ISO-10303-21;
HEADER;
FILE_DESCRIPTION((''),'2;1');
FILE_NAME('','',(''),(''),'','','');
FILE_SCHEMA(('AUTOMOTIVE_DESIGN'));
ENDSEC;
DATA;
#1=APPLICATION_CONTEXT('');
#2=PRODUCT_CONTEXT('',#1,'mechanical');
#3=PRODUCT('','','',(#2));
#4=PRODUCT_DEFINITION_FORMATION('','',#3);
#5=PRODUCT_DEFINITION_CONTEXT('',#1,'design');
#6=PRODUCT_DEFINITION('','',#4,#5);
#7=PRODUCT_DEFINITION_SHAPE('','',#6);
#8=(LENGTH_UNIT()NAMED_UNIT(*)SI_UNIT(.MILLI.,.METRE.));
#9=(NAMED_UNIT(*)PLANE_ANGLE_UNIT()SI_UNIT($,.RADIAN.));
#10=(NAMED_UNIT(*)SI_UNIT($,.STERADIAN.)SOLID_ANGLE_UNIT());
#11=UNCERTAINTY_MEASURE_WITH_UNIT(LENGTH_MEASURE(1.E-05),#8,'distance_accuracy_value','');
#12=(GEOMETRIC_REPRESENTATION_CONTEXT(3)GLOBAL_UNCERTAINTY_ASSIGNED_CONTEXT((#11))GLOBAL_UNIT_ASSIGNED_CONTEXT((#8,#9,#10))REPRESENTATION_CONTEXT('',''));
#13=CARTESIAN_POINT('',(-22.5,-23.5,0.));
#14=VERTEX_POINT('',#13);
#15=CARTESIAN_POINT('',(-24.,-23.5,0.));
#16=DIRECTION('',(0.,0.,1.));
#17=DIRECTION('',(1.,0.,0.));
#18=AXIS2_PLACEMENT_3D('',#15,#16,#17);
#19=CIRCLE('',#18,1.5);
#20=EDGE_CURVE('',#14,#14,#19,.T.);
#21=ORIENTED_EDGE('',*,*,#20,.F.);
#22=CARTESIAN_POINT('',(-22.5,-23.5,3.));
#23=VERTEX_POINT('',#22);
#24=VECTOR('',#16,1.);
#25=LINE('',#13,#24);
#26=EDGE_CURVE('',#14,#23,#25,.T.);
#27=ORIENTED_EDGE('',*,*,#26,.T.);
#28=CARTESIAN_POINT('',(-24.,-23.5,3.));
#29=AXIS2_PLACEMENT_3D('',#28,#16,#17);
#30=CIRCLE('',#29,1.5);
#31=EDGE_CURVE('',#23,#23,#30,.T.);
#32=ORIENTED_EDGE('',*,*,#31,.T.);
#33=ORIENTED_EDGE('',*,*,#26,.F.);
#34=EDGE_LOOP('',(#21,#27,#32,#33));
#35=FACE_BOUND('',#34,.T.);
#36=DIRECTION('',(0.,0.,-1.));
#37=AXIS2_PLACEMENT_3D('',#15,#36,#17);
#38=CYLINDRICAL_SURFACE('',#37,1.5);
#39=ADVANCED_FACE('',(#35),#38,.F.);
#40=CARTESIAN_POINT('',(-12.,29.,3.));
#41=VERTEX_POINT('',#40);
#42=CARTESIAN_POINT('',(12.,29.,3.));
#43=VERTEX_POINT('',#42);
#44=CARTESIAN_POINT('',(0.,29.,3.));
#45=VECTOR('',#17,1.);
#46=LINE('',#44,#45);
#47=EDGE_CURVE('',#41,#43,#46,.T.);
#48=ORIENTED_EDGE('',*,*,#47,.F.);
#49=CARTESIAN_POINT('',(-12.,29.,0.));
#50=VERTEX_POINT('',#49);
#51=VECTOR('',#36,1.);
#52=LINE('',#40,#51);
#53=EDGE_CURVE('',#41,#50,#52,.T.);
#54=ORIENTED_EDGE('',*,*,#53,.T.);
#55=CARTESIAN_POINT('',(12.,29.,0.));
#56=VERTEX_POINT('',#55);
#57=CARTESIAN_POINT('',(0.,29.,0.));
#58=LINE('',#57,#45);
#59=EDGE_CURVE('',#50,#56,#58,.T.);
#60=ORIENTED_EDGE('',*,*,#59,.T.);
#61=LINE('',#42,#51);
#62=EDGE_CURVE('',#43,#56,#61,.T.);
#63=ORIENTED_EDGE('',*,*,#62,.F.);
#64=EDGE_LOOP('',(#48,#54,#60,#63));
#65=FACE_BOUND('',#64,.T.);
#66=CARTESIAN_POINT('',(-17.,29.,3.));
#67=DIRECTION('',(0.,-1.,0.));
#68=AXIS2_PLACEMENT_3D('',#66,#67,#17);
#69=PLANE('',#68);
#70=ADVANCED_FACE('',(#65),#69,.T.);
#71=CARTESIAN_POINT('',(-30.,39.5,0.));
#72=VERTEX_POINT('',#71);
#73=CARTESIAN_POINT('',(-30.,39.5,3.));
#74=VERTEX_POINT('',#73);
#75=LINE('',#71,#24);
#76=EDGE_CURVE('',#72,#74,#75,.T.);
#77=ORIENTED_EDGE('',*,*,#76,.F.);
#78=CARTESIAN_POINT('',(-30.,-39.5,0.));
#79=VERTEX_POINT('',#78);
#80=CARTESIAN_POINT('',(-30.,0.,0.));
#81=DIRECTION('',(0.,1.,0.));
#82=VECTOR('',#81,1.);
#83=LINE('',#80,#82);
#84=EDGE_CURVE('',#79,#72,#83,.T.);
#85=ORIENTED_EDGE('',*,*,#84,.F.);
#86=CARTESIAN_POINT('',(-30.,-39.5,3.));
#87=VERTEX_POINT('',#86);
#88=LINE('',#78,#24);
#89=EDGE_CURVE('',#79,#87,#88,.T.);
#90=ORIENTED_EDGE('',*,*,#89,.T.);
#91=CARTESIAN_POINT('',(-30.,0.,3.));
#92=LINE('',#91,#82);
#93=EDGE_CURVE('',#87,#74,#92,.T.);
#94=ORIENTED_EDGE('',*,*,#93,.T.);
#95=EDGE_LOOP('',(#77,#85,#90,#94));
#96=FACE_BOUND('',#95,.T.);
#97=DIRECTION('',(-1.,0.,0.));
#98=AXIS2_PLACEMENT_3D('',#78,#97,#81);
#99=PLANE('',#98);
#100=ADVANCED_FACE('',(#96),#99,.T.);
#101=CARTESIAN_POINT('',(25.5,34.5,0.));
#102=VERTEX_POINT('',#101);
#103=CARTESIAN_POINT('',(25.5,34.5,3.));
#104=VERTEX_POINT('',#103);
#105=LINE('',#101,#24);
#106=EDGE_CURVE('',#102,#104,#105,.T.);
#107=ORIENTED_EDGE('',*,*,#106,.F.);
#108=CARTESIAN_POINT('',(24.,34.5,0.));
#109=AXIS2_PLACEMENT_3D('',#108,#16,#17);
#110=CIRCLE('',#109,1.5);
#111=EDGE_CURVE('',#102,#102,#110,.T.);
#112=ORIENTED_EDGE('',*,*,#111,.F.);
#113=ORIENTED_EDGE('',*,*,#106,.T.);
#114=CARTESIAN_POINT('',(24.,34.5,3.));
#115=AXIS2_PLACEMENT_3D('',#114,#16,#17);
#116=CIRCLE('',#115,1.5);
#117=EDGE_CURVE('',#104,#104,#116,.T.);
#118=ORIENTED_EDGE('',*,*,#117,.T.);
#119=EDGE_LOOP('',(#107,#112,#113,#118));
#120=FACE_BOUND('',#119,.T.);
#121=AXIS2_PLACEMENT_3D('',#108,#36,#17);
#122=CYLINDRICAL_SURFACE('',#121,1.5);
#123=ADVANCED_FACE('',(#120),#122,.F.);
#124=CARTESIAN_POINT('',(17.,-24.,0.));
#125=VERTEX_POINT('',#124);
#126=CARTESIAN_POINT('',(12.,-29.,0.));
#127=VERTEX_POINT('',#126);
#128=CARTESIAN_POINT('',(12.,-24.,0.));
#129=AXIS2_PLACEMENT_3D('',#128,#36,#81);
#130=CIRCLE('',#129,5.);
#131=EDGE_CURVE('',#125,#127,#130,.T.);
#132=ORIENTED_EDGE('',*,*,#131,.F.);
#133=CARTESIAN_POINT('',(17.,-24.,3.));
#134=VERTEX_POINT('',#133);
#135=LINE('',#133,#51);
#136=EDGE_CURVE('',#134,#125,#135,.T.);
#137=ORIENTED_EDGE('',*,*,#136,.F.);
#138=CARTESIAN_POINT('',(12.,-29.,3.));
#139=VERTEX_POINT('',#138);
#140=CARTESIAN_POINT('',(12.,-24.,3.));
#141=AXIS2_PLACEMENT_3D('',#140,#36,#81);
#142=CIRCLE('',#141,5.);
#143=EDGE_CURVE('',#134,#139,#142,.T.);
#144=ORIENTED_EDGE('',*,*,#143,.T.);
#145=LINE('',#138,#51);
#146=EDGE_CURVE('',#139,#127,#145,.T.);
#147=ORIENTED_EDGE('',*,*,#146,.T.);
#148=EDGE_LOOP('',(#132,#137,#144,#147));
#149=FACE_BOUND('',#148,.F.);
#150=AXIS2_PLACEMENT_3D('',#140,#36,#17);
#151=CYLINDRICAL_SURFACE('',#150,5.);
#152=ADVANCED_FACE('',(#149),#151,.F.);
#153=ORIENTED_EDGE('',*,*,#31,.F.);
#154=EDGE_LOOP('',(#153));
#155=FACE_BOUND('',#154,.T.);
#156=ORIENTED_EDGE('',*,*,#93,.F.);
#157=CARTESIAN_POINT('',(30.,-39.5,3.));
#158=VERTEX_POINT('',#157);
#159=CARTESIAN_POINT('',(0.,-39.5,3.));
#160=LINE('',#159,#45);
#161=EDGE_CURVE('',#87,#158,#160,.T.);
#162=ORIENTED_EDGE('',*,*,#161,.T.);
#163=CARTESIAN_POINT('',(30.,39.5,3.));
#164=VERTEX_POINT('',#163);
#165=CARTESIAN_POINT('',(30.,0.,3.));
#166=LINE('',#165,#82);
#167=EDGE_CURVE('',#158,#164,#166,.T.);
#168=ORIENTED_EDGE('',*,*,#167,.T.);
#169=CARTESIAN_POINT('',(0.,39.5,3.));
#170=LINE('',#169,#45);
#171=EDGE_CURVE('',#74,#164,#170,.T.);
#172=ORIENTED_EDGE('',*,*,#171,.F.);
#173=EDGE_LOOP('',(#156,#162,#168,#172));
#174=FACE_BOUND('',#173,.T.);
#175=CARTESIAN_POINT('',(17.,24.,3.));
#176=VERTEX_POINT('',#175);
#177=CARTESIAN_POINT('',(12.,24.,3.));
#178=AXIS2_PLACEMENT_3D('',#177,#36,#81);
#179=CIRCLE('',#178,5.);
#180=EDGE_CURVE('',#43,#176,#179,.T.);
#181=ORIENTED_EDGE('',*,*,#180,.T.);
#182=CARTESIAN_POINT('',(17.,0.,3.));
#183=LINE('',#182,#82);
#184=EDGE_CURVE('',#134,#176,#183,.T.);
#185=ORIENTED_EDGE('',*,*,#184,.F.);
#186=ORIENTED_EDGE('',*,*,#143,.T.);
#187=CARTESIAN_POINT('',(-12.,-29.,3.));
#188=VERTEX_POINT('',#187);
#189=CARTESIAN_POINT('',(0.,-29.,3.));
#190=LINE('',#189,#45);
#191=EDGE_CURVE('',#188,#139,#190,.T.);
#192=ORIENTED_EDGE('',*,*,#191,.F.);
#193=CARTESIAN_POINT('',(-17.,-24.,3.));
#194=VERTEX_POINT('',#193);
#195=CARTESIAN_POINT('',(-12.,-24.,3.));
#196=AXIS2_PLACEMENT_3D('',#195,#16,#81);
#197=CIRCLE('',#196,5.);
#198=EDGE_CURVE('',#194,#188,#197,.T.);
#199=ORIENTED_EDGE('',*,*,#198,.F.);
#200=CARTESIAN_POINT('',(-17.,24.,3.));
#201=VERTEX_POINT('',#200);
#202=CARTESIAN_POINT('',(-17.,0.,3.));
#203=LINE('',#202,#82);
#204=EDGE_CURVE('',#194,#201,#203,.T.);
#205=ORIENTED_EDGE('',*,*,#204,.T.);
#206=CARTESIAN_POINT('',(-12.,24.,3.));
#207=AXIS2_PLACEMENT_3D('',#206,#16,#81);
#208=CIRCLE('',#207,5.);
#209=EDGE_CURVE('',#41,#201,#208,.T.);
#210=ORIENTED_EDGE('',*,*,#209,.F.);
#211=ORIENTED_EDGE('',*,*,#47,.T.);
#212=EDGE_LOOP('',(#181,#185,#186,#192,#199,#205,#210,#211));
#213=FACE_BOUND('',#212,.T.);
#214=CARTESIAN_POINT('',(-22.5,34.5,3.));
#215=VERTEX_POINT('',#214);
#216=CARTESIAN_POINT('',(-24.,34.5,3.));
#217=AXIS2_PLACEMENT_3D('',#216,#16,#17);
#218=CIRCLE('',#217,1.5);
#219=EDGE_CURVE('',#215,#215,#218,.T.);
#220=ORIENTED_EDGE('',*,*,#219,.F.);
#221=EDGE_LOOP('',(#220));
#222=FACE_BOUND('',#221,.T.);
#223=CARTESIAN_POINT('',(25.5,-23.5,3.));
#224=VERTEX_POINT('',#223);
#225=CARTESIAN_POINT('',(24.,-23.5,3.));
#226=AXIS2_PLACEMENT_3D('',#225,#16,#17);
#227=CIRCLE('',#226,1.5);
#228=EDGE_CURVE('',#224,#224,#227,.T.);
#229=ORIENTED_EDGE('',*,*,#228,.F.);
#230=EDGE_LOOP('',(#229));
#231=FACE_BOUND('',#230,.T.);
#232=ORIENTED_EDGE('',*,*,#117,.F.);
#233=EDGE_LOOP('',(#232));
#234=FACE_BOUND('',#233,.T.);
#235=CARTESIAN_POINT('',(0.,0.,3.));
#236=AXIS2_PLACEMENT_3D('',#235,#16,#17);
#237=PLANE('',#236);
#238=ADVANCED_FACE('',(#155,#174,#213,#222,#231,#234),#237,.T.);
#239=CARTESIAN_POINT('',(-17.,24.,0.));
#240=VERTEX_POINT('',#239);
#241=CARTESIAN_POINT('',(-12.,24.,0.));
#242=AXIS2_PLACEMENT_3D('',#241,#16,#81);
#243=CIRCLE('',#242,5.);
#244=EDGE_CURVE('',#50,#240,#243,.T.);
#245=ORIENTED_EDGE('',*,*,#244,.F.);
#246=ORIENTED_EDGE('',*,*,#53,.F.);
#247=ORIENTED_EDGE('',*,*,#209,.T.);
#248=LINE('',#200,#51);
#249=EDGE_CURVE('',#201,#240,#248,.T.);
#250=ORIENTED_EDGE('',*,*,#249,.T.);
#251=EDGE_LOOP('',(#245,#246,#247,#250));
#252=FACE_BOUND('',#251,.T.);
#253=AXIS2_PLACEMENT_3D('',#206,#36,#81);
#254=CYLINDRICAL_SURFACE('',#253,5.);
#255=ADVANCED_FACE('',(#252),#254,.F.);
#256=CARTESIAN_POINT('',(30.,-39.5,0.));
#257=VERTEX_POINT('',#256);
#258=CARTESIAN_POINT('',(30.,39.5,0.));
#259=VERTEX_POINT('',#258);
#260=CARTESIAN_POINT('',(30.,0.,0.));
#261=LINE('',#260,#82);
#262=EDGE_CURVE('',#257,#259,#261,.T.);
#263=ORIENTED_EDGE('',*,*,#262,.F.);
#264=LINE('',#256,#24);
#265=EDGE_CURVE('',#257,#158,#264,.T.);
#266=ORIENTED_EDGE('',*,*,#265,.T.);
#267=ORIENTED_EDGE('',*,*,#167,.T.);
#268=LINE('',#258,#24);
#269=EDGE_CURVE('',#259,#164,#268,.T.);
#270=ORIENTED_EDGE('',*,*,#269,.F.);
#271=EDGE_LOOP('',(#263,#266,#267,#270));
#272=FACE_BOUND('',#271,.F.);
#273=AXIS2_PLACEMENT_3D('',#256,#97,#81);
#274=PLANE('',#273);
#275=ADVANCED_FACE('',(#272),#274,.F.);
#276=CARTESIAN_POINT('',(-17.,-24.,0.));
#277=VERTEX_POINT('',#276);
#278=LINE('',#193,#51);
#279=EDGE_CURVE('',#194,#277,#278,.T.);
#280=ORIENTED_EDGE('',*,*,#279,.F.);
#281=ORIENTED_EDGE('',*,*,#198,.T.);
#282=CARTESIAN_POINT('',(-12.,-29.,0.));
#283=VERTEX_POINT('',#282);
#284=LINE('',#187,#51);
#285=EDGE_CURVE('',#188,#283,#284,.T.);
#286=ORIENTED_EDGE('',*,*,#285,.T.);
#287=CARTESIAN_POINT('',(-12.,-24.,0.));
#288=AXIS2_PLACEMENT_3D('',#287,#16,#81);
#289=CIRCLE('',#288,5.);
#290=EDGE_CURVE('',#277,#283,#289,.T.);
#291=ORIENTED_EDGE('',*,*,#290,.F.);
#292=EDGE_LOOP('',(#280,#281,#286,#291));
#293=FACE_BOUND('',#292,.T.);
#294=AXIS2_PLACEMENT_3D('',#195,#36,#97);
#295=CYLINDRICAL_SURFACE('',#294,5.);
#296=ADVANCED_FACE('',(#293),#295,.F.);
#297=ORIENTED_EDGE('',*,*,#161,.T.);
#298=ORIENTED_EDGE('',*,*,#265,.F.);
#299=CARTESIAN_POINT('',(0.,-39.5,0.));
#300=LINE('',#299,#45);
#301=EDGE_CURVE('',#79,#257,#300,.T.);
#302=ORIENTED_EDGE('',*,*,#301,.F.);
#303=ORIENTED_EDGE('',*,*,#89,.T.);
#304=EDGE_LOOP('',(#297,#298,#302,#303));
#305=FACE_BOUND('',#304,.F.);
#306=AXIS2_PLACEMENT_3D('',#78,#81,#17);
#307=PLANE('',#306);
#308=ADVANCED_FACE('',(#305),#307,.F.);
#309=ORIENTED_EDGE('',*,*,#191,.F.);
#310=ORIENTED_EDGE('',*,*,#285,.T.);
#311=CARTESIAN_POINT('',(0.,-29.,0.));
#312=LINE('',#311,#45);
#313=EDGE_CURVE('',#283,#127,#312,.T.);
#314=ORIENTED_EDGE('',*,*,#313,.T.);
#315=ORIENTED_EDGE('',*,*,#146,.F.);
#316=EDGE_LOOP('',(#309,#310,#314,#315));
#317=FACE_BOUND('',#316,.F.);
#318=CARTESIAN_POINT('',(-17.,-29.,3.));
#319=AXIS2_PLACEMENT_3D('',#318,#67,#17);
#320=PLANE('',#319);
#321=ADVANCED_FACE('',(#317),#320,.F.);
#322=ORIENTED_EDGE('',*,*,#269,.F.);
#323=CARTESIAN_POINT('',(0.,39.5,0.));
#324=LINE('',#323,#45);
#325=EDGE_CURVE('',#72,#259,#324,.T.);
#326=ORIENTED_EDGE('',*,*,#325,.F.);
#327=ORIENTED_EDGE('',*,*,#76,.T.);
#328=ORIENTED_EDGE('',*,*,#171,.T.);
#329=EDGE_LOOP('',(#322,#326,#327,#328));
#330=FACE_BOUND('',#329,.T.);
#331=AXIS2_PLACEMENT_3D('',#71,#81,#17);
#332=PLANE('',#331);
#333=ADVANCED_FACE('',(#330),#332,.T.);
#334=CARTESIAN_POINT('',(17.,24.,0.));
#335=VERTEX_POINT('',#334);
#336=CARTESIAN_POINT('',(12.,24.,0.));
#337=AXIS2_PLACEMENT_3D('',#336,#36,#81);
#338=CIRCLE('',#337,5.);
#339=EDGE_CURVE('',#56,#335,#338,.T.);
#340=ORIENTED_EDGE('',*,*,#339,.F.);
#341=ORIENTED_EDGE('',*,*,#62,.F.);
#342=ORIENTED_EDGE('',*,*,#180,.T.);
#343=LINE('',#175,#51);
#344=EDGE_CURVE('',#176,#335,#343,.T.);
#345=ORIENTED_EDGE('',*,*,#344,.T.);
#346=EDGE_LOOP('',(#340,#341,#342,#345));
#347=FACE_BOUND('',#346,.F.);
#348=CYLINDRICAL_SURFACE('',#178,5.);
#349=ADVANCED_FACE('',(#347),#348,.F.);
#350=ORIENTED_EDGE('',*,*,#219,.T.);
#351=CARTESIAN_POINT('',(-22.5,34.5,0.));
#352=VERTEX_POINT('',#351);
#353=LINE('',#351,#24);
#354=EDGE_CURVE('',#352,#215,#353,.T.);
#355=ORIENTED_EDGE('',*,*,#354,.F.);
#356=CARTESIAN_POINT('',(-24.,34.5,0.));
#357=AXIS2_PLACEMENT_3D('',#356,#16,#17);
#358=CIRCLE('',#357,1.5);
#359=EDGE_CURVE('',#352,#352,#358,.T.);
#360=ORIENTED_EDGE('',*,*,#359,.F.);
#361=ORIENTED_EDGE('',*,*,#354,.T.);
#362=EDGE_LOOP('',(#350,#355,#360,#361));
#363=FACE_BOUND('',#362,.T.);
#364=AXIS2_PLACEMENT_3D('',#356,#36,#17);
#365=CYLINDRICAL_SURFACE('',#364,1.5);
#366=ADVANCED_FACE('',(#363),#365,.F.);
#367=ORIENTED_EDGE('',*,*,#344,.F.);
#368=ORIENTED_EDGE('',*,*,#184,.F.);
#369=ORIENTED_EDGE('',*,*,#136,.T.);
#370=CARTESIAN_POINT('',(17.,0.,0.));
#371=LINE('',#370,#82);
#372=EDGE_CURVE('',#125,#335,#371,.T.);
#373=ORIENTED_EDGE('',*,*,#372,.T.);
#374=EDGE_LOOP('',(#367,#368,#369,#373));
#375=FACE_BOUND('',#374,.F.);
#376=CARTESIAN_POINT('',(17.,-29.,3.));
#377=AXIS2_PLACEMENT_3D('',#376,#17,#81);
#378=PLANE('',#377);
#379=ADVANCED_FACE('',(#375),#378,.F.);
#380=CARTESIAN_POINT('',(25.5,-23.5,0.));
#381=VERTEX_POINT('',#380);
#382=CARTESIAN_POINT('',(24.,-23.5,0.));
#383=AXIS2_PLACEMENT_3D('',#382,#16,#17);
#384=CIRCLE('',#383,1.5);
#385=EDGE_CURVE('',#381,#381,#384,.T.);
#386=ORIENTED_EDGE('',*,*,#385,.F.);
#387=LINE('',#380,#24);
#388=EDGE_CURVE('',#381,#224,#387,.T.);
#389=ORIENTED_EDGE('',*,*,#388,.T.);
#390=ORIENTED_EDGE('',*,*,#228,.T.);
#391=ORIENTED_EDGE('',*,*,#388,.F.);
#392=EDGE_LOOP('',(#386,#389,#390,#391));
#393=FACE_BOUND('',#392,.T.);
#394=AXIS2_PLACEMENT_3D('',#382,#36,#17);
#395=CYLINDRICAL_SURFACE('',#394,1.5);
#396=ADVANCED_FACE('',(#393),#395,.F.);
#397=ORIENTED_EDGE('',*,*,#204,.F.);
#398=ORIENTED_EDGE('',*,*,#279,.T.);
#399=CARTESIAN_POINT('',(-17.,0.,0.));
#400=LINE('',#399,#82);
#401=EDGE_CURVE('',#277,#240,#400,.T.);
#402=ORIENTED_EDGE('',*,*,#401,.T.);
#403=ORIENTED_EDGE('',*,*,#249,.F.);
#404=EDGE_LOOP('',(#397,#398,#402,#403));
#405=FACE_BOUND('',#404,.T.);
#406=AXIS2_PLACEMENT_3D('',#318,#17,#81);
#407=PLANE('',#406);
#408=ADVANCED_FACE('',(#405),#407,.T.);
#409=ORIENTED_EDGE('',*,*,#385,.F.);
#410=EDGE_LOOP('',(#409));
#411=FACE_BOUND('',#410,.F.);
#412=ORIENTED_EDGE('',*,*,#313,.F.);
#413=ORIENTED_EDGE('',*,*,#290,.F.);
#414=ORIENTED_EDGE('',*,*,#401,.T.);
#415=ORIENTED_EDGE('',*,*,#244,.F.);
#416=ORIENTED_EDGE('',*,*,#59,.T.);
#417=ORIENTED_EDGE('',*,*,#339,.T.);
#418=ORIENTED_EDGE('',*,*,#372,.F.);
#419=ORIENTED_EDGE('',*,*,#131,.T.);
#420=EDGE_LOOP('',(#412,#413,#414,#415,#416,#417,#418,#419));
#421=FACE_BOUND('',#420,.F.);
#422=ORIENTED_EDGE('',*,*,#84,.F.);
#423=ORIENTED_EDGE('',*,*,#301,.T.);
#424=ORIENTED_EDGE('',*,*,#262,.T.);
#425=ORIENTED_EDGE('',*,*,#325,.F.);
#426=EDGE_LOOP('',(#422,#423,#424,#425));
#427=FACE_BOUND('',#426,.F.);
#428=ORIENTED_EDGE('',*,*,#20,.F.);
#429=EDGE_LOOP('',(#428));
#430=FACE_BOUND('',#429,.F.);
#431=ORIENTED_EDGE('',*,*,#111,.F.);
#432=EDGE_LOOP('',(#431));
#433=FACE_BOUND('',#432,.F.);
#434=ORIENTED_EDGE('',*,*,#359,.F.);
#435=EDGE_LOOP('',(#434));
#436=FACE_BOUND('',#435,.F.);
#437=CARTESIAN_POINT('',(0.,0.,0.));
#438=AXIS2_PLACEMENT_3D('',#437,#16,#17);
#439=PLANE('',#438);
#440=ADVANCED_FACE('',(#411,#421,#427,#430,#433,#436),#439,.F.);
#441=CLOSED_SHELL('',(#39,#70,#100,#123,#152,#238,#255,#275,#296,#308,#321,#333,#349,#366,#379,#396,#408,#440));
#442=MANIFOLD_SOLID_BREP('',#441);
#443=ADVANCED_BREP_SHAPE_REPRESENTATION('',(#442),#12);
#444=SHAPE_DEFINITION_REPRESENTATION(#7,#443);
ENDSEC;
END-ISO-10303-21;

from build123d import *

# Parameters (mm, degrees)
F0_W     = 60
F0_H     = 79
F0_R     = 1.5
F1_DEPTH = 3
F2_W     = 34
F2_H     = 58
F3_DEPTH = 3
F4_R     = 5
F5_R     = 5


with BuildPart() as f1:
    # F0 (on Top) → F1 (new body)
    with BuildSketch(Plane.XY):
        Rectangle(F0_W, F0_H)
        with Locations((-24, -23.5)):
            Circle(F0_R, mode=Mode.SUBTRACT)
        with Locations((24, -23.5)):
            Circle(F0_R, mode=Mode.SUBTRACT)
        with Locations((-24, 34.5)):
            Circle(F0_R, mode=Mode.SUBTRACT)
        with Locations((24, 34.5)):
            Circle(F0_R, mode=Mode.SUBTRACT)
    extrude(amount=F1_DEPTH)

    # F2 (on face) → F3 (cut, through all)
    with BuildSketch(Plane.XY.offset(3)):
        Rectangle(F2_W, F2_H)
    extrude(amount=-F3_DEPTH, mode=Mode.SUBTRACT)

    # F4
    f4_edges = [f1.edges().sort_by_distance(p)[0] for p in [
        (-17, 29, 1.5),
    ]]
    fillet(f4_edges, radius=F4_R)

    # F5
    f5_edges = [f1.edges().sort_by_distance(p)[0] for p in [
        (-17, -29, 1.5),
        (17, -29, 1.5),
        (17, 29, 1.5),
    ]]
    fillet(f5_edges, radius=F5_R)


solid = f1.part
